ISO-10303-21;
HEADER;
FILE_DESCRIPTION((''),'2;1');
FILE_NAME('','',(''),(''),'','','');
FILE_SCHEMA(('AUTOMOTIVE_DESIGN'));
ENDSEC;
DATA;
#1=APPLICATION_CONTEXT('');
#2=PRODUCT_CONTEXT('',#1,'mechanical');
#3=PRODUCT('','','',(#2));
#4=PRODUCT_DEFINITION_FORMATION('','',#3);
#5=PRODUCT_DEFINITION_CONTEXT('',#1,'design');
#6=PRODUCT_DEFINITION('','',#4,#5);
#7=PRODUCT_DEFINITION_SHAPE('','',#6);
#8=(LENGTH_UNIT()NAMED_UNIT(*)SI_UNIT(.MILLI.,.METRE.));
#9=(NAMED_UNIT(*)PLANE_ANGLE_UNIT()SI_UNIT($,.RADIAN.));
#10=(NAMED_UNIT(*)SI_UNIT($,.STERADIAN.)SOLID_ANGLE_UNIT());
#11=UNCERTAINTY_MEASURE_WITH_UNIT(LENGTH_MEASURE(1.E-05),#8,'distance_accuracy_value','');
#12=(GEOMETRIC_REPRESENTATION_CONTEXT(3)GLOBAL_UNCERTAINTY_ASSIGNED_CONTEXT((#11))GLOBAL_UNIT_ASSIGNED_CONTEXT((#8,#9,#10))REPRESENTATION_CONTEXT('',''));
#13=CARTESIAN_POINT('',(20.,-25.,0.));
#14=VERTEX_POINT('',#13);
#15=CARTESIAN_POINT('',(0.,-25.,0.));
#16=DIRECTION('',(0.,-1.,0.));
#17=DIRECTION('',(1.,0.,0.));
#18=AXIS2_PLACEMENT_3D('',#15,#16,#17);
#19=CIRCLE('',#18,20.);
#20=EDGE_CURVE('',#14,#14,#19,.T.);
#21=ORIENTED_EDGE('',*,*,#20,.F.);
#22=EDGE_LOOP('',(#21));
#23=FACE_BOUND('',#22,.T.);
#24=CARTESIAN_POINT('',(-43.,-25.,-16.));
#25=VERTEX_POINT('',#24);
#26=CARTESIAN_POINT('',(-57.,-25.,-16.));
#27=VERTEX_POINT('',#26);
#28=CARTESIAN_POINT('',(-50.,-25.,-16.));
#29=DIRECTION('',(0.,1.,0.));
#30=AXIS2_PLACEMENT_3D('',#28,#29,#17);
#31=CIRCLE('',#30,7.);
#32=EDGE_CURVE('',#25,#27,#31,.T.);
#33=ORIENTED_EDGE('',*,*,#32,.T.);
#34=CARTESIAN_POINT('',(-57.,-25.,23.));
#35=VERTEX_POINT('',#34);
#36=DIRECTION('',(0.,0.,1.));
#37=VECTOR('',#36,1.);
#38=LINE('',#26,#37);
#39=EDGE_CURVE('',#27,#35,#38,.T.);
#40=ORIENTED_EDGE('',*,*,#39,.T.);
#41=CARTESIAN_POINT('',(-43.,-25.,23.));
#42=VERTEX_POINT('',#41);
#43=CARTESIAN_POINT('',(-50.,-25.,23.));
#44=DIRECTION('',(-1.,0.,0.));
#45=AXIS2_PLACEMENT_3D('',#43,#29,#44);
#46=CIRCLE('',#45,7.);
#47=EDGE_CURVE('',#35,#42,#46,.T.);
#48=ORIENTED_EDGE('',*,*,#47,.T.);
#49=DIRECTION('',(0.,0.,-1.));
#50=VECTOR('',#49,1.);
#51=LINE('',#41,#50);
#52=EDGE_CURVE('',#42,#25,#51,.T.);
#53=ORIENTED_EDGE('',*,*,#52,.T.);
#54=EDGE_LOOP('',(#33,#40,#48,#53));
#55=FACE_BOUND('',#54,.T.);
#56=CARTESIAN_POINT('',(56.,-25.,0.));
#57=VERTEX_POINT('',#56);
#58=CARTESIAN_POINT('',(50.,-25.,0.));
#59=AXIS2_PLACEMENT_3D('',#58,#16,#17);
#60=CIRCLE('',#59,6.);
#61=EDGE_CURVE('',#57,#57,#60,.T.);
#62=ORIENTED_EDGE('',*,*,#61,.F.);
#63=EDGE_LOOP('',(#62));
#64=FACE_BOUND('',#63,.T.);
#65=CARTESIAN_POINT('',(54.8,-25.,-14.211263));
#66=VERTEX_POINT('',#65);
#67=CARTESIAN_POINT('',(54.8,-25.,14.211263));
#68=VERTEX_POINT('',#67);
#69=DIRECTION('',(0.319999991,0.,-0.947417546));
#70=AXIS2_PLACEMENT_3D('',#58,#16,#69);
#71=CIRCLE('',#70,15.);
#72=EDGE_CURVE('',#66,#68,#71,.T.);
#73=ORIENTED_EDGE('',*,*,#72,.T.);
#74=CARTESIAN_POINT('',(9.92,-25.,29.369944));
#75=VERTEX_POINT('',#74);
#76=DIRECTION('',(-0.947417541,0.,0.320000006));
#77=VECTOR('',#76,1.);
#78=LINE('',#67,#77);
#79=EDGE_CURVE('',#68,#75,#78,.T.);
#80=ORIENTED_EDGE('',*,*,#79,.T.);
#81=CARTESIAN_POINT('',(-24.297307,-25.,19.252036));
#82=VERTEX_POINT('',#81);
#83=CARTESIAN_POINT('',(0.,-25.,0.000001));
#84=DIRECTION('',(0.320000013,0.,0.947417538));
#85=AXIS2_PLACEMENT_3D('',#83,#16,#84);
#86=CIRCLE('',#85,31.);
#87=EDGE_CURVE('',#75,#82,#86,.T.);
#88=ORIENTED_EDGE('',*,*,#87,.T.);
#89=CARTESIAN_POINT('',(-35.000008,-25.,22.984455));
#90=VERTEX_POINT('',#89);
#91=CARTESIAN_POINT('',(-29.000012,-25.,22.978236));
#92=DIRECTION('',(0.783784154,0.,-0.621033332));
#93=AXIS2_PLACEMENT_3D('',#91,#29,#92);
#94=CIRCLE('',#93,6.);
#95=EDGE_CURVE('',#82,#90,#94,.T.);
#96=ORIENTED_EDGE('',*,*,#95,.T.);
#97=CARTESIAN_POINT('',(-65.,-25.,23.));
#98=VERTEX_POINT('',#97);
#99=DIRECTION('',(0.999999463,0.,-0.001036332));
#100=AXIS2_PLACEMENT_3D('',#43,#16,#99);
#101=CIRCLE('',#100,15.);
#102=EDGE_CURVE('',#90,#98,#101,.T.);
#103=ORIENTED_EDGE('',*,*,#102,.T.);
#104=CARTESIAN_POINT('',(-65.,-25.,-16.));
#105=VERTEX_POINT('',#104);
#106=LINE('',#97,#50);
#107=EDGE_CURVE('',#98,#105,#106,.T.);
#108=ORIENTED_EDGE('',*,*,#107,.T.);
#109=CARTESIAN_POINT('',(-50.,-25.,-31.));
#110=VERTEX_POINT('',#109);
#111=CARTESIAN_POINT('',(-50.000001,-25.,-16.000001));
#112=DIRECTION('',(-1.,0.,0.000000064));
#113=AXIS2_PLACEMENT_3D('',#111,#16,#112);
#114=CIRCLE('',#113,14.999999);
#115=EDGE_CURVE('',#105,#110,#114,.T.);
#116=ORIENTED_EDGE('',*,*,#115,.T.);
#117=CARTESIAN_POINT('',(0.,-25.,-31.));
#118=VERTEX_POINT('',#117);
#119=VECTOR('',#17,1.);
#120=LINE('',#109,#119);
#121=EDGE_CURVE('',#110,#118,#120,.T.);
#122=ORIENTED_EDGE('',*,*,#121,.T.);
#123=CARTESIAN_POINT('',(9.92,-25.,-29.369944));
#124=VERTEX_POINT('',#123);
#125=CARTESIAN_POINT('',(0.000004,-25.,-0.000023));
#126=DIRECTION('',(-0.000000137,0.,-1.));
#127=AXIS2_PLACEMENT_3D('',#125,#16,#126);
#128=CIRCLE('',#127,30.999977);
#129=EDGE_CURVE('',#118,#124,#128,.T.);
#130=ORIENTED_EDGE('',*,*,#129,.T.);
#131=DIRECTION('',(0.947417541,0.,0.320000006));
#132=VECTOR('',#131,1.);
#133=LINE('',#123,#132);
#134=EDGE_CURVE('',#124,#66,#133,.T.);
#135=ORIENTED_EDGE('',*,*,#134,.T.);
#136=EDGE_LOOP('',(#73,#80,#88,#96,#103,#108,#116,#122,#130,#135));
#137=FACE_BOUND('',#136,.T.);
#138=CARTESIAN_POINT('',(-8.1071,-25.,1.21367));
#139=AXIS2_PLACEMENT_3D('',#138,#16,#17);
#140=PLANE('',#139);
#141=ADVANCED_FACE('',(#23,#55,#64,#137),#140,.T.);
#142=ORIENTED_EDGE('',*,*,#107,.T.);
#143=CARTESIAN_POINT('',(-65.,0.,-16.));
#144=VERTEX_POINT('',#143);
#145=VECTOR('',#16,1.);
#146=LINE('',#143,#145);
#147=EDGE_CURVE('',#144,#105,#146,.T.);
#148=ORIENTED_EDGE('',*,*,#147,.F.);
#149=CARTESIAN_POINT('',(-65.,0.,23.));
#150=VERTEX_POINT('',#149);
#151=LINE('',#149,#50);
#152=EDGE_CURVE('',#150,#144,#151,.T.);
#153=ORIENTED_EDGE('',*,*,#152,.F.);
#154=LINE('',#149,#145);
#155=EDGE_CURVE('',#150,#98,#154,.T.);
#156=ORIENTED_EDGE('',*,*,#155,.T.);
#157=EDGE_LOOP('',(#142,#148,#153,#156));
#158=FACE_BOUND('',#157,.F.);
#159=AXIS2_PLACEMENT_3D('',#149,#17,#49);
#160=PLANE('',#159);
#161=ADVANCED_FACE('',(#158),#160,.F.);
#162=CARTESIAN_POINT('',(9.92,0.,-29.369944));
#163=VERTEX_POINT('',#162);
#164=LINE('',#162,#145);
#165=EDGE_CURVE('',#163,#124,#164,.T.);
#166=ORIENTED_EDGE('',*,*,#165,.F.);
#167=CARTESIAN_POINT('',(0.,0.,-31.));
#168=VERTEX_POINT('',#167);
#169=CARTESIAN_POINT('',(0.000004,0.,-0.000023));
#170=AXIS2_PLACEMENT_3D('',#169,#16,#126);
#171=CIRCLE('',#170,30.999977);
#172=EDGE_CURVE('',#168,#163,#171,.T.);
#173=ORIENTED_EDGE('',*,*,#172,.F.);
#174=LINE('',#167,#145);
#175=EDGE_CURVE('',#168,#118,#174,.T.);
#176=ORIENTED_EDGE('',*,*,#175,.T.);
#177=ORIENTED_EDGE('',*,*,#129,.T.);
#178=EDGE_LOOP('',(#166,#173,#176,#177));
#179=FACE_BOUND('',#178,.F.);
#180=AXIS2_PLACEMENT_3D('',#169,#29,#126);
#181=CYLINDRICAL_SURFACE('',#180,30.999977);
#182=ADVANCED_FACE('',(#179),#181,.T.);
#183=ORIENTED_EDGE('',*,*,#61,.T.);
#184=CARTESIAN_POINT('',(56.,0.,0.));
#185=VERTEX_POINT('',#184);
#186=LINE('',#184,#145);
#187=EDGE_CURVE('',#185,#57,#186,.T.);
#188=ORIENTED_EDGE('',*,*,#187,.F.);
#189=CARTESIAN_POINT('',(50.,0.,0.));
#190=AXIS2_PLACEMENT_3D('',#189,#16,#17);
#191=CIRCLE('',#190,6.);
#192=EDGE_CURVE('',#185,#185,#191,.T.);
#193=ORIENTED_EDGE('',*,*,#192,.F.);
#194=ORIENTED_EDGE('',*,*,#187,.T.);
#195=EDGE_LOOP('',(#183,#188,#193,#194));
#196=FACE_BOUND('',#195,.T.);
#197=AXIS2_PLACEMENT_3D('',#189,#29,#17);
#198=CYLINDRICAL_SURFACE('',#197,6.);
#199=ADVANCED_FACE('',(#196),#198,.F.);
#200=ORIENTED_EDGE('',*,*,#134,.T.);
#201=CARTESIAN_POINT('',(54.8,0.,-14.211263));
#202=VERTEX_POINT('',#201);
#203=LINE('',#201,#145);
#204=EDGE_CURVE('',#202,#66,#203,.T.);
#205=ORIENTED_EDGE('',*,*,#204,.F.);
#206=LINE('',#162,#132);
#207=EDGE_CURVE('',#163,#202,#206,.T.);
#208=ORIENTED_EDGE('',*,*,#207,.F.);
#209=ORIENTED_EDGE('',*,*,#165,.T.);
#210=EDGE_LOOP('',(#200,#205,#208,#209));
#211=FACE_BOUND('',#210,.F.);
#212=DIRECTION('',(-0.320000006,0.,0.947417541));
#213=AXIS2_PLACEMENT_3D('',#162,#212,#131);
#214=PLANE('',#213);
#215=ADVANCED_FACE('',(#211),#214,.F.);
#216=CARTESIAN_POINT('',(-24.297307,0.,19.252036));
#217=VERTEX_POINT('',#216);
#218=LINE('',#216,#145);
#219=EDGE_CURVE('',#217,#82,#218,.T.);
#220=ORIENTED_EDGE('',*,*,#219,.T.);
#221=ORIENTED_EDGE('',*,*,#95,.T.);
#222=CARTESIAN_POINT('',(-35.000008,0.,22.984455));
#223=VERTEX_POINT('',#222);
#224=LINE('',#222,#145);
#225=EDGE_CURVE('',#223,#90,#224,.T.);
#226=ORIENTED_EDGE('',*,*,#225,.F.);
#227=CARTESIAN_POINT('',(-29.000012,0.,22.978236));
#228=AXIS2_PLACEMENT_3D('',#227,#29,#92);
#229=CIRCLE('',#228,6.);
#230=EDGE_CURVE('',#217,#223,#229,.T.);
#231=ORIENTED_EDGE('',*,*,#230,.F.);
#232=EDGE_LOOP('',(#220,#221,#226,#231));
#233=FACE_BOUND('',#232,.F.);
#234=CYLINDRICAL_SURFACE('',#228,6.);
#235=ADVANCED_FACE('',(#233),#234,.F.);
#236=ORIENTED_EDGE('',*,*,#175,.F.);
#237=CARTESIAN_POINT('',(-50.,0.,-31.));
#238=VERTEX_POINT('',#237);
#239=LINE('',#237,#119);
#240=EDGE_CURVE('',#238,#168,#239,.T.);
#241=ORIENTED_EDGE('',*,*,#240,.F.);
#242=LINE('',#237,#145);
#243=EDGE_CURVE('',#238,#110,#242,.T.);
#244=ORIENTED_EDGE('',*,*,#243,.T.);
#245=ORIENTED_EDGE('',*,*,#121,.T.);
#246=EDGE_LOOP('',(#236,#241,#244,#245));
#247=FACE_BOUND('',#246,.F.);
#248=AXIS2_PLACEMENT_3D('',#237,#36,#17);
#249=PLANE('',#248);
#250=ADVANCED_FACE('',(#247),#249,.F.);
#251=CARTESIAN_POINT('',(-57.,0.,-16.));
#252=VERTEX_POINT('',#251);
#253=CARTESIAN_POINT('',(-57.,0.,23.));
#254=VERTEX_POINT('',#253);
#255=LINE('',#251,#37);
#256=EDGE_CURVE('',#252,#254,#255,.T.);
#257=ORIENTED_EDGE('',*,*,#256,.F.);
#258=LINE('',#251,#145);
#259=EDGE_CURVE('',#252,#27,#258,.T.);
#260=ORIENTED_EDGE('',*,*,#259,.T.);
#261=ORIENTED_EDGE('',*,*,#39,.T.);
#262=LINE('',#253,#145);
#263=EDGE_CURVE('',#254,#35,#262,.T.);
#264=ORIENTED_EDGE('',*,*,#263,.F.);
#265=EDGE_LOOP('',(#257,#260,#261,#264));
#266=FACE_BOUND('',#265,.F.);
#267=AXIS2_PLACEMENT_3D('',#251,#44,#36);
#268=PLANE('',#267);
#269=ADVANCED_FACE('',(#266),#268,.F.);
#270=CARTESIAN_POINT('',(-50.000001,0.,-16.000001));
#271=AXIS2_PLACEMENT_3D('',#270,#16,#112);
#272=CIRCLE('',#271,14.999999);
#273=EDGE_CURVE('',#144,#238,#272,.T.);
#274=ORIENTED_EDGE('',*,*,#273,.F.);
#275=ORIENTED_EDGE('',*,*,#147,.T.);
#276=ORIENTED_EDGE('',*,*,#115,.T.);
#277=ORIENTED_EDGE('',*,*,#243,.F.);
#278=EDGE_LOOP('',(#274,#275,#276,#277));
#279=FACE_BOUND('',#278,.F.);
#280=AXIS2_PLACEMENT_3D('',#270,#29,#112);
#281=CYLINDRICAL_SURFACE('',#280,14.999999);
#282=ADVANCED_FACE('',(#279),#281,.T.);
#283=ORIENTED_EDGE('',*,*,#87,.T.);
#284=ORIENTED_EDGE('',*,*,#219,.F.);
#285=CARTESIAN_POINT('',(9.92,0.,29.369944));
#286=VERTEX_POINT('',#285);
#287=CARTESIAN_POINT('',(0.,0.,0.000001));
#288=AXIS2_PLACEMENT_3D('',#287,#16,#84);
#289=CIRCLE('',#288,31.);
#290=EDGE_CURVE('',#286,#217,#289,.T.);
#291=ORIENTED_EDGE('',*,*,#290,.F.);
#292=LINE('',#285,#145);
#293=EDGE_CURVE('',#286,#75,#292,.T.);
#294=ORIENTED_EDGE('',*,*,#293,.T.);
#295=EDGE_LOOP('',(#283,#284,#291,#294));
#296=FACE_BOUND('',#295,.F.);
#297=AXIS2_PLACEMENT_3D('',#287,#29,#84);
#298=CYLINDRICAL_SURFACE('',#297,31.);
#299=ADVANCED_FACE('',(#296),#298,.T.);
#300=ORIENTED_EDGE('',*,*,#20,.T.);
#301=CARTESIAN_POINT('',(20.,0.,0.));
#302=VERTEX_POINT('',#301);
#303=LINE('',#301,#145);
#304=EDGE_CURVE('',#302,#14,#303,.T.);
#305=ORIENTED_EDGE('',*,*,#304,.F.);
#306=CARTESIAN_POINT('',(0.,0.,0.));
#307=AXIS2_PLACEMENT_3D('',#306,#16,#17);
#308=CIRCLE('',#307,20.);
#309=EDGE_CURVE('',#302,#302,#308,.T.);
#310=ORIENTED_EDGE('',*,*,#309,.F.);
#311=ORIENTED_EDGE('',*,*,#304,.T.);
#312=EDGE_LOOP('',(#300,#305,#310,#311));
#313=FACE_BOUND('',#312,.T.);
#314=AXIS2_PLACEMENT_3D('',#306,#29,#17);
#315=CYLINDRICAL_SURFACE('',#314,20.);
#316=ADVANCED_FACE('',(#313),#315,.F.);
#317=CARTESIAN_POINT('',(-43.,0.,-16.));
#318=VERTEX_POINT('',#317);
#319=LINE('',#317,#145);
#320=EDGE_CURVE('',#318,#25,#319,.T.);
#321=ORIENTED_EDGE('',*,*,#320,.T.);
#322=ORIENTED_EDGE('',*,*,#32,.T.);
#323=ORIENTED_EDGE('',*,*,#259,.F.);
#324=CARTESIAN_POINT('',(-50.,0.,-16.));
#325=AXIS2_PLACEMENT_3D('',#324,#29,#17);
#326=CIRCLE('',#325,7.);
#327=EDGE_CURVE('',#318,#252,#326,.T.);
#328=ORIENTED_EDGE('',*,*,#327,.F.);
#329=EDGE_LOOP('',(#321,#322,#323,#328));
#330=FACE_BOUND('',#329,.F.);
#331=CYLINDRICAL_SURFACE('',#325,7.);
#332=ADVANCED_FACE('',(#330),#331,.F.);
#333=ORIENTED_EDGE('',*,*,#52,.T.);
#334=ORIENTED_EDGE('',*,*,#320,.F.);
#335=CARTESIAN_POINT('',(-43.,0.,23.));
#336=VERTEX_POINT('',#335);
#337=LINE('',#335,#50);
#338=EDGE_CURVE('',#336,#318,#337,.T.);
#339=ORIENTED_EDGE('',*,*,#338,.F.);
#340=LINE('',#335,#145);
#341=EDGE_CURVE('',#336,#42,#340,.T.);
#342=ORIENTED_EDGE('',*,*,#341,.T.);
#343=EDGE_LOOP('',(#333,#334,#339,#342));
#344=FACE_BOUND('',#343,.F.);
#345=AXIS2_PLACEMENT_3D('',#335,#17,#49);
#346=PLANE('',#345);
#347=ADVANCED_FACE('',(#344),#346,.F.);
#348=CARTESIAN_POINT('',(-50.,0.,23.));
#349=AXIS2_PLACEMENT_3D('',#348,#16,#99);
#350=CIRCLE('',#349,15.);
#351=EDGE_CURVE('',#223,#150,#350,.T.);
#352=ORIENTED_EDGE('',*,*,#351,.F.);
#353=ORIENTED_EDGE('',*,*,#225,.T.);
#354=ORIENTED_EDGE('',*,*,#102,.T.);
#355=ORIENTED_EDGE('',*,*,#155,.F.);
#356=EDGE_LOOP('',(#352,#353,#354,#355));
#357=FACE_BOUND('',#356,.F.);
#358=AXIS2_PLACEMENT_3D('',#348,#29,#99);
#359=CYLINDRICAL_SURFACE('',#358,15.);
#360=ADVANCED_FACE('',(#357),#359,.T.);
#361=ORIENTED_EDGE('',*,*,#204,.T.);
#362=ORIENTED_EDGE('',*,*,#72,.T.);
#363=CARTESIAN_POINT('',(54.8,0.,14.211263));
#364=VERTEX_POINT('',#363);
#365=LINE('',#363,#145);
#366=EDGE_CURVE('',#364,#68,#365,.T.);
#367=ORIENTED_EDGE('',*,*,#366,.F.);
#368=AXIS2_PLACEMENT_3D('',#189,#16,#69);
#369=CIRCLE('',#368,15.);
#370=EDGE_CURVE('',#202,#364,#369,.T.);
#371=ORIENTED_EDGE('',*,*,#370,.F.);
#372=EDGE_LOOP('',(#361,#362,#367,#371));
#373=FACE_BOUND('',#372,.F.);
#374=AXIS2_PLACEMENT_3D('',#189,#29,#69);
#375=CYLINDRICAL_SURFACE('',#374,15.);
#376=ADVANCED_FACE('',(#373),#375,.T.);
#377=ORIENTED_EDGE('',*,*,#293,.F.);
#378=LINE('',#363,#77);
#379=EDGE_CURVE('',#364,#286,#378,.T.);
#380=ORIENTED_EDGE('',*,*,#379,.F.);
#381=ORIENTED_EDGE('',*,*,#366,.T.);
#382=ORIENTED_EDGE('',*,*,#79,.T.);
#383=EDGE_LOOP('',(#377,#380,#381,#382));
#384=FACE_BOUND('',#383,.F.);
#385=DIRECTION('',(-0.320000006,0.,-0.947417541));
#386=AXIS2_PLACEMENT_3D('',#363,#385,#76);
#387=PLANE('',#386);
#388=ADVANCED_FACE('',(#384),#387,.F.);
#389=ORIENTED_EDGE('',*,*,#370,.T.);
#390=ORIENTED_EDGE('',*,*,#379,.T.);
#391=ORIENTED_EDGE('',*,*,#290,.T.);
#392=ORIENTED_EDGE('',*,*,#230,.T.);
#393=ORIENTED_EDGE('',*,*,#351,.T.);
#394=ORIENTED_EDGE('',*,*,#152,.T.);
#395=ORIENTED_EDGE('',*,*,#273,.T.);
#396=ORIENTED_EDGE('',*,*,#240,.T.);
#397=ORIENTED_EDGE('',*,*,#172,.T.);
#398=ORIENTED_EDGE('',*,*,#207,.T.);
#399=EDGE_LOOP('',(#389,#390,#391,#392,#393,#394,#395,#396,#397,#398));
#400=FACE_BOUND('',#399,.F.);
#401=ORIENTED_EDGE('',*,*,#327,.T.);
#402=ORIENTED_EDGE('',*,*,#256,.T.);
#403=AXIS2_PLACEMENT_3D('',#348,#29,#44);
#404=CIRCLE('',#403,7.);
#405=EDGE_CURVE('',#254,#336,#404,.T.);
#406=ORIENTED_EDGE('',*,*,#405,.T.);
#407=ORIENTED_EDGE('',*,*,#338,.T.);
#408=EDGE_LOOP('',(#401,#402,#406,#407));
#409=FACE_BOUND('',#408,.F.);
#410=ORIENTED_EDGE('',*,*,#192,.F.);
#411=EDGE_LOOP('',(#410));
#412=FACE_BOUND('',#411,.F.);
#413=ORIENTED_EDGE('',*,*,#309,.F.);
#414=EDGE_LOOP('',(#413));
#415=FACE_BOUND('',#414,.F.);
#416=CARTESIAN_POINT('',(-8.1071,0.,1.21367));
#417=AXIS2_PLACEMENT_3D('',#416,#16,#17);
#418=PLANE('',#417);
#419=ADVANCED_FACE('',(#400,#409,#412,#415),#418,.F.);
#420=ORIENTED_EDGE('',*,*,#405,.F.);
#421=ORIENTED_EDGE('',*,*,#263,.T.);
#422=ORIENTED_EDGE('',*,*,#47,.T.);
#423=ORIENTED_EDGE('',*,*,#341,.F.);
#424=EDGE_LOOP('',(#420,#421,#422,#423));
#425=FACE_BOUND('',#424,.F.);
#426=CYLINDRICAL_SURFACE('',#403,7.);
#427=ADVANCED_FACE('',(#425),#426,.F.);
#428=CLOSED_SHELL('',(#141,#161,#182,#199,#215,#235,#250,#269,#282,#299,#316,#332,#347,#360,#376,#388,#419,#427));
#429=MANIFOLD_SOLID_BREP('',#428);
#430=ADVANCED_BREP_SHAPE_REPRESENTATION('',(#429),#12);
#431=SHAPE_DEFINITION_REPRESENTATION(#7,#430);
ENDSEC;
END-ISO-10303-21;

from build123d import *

# Parameters (mm, degrees)
F0_R     = 20
F0_R_2   = 6
F1_DEPTH = 25


with BuildPart() as f1:
    # F0 (on Front) → F1 (new body)
    with BuildSketch(Plane.XZ):
        with BuildLine():
            Line((-50, -31), (0, -31))
            ThreePointArc((0, -31), (5.026517, -30.589772), (9.92, -29.369944))
            Line((9.92, -29.369944), (54.8, -14.211263))
            ThreePointArc((54.8, -14.211263), (65, 0), (54.8, 14.211263))
            Line((54.8, 14.211263), (9.92, 29.369944))
            ThreePointArc((9.92, 29.369944), (-8.790322, 29.727601), (-24.297307, 19.252036))
            ThreePointArc((-24.297307, 19.252036), (-30.975734, 17.312857), (-35.000008, 22.984455))
            ThreePointArc((-35.000008, 22.984455), (-49.992227, 37.999998), (-65, 23))
            Line((-65, 23), (-65, -16))
            ThreePointArc((-65, -16), (-60.606602, -26.606602), (-50, -31))
        make_face()
        Circle(F0_R, mode=Mode.SUBTRACT)
        with Locations((50, 0)):
            Circle(F0_R_2, mode=Mode.SUBTRACT)
        with BuildLine():
            ThreePointArc((-57, 23), (-50, 30), (-43, 23))
            Line((-43, 23), (-43, -16))
            ThreePointArc((-43, -16), (-50, -23), (-57, -16))
            Line((-57, -16), (-57, 23))
        make_face(mode=Mode.SUBTRACT)
    extrude(amount=F1_DEPTH)


solid = f1.part
